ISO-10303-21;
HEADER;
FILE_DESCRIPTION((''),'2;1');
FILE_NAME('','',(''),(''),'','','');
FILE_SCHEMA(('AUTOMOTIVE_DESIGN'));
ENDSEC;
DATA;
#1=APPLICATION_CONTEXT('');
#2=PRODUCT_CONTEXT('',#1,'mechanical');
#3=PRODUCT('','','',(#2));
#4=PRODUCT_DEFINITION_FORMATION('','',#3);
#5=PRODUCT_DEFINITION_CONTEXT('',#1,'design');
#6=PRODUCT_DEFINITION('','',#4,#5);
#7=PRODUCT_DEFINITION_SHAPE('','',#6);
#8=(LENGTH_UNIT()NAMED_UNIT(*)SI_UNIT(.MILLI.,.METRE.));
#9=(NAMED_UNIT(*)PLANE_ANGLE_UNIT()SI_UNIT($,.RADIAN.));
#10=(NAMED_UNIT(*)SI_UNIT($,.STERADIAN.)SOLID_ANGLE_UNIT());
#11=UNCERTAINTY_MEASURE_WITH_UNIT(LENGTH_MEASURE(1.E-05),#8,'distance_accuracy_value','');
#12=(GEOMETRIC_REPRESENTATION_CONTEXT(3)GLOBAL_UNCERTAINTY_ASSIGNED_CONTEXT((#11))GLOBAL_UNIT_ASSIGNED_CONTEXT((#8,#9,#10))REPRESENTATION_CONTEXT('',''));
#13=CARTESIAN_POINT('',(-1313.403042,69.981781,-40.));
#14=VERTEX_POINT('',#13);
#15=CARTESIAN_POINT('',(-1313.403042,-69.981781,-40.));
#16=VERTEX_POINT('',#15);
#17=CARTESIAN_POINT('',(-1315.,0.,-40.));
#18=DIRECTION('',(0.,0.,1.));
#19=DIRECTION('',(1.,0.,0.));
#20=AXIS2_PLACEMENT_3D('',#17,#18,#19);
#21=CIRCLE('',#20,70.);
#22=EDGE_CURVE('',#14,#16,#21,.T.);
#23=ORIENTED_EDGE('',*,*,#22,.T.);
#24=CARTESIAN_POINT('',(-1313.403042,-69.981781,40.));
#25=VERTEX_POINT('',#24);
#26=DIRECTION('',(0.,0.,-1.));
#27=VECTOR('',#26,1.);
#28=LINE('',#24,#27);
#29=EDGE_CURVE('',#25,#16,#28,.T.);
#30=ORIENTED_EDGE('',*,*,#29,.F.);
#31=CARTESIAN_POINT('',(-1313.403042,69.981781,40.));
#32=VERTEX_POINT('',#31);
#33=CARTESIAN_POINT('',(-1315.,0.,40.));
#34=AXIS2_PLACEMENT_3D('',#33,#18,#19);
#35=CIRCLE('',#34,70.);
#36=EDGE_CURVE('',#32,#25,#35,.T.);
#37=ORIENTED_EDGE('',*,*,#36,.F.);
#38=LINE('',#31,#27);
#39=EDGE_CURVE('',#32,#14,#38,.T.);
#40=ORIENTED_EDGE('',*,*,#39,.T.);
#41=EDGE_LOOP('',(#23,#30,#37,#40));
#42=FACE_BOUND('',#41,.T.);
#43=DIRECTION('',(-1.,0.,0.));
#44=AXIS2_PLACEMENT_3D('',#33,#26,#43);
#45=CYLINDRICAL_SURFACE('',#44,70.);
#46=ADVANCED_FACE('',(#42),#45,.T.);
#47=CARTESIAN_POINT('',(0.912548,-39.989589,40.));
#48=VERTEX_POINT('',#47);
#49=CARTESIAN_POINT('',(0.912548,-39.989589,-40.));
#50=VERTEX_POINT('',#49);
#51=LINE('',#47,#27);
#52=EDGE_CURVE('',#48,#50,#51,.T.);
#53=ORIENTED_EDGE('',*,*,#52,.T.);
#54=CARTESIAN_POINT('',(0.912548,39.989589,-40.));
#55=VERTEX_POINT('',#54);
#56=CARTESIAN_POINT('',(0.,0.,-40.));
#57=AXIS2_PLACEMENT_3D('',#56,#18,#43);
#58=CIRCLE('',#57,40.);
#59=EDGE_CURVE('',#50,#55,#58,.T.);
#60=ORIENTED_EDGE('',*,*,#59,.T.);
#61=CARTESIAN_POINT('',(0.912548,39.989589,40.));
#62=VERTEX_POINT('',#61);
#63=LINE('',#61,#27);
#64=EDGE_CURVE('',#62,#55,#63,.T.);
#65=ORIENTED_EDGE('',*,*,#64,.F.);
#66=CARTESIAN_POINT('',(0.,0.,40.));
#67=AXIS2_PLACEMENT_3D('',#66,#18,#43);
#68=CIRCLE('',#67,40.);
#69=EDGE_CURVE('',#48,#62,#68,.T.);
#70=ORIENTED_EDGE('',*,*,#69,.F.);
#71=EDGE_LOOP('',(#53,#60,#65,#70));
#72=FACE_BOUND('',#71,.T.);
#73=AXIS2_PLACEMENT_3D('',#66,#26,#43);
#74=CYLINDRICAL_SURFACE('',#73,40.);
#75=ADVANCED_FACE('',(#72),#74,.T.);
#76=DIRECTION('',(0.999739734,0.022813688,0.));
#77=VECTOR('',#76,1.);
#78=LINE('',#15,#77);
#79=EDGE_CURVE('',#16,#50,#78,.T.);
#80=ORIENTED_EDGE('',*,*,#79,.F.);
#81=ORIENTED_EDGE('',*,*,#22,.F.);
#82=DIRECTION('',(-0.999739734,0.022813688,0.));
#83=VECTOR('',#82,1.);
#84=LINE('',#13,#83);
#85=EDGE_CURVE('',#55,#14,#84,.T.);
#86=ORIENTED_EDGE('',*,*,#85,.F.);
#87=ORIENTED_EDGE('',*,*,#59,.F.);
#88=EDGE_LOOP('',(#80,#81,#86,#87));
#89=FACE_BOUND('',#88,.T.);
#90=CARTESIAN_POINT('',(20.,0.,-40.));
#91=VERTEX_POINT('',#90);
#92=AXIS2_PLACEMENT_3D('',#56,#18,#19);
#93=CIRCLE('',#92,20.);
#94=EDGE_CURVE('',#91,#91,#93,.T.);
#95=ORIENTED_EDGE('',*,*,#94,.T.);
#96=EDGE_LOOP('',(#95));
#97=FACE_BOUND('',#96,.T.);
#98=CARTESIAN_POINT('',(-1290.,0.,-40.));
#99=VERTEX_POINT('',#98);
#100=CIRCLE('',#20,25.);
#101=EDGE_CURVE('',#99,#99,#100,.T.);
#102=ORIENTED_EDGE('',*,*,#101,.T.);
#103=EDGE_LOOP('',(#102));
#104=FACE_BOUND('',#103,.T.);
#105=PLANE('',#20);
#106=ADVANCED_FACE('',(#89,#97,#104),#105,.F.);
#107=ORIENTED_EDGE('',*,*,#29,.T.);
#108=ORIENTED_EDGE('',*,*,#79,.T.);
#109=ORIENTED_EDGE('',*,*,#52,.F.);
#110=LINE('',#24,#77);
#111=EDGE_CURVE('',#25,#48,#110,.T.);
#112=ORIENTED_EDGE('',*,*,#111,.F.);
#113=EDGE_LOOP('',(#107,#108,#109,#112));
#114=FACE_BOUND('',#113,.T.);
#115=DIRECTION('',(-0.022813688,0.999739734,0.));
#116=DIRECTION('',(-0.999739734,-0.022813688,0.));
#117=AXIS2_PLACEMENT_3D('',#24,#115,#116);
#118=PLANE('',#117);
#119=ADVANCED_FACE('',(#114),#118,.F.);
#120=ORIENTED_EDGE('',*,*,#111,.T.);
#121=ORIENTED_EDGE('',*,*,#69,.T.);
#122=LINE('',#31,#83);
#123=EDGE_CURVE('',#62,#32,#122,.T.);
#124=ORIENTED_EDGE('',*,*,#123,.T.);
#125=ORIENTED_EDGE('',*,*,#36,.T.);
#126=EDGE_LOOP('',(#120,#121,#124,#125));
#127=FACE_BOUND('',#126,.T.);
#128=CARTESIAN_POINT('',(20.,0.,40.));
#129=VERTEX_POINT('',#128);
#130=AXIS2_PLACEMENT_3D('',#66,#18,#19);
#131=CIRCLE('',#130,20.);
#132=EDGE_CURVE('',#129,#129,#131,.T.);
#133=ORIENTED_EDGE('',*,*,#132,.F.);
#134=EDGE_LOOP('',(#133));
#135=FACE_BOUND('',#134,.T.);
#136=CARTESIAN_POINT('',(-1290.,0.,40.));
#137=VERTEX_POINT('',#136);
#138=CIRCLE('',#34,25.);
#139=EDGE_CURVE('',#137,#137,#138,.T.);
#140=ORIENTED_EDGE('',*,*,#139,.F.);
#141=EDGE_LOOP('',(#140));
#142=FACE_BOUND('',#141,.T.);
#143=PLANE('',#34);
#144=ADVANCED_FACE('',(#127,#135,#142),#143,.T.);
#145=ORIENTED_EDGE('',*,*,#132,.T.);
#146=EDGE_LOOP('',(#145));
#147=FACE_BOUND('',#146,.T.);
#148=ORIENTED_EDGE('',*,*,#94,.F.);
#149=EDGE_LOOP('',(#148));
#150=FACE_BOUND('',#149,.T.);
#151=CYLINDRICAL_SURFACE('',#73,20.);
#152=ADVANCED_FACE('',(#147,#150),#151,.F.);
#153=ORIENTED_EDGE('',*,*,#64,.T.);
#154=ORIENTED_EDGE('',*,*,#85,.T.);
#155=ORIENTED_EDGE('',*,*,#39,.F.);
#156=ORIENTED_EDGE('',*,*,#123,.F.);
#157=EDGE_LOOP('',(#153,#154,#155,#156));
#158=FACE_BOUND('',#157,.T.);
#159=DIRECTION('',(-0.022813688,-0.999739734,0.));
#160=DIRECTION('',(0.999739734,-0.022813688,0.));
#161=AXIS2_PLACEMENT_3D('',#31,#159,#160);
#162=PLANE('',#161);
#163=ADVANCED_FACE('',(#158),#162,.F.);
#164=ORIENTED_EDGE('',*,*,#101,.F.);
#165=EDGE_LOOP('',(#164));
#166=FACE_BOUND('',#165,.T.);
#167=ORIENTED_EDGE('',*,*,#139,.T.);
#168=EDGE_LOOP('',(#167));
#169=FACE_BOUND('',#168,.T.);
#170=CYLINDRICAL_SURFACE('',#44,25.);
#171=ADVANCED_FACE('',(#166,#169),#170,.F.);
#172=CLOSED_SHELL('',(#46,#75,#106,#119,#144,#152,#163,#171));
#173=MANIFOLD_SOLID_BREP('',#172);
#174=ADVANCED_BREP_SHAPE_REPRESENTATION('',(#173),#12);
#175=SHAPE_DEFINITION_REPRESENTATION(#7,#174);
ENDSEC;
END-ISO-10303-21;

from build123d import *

# Parameters (mm, degrees)
SKETCH1_R           = 20
SKETCH1_R_2         = 25
BOSS_EXTRUDE1_DEPTH = 40


with BuildPart() as part:
    # Sketch1 → Boss-Extrude1 (new body, symmetric)
    with BuildSketch(Plane.XY):
        with BuildLine():
            Line((-1313.403041825, 69.981781376), (0.912547529, 39.989589358))
            ThreePointArc((0.912547529, 39.989589358), (40, 0), (0.912547529, -39.989589358))
            Line((0.912547529, -39.989589358), (-1313.403041825, -69.981781376))
            ThreePointArc((-1313.403041825, -69.981781376), (-1385, 0), (-1313.403041825, 69.981781376))
        make_face()
        Circle(SKETCH1_R, mode=Mode.SUBTRACT)
        with Locations((-1315, 0)):
            Circle(SKETCH1_R_2, mode=Mode.SUBTRACT)
    extrude(amount=BOSS_EXTRUDE1_DEPTH, both=True)


solid = part.part
